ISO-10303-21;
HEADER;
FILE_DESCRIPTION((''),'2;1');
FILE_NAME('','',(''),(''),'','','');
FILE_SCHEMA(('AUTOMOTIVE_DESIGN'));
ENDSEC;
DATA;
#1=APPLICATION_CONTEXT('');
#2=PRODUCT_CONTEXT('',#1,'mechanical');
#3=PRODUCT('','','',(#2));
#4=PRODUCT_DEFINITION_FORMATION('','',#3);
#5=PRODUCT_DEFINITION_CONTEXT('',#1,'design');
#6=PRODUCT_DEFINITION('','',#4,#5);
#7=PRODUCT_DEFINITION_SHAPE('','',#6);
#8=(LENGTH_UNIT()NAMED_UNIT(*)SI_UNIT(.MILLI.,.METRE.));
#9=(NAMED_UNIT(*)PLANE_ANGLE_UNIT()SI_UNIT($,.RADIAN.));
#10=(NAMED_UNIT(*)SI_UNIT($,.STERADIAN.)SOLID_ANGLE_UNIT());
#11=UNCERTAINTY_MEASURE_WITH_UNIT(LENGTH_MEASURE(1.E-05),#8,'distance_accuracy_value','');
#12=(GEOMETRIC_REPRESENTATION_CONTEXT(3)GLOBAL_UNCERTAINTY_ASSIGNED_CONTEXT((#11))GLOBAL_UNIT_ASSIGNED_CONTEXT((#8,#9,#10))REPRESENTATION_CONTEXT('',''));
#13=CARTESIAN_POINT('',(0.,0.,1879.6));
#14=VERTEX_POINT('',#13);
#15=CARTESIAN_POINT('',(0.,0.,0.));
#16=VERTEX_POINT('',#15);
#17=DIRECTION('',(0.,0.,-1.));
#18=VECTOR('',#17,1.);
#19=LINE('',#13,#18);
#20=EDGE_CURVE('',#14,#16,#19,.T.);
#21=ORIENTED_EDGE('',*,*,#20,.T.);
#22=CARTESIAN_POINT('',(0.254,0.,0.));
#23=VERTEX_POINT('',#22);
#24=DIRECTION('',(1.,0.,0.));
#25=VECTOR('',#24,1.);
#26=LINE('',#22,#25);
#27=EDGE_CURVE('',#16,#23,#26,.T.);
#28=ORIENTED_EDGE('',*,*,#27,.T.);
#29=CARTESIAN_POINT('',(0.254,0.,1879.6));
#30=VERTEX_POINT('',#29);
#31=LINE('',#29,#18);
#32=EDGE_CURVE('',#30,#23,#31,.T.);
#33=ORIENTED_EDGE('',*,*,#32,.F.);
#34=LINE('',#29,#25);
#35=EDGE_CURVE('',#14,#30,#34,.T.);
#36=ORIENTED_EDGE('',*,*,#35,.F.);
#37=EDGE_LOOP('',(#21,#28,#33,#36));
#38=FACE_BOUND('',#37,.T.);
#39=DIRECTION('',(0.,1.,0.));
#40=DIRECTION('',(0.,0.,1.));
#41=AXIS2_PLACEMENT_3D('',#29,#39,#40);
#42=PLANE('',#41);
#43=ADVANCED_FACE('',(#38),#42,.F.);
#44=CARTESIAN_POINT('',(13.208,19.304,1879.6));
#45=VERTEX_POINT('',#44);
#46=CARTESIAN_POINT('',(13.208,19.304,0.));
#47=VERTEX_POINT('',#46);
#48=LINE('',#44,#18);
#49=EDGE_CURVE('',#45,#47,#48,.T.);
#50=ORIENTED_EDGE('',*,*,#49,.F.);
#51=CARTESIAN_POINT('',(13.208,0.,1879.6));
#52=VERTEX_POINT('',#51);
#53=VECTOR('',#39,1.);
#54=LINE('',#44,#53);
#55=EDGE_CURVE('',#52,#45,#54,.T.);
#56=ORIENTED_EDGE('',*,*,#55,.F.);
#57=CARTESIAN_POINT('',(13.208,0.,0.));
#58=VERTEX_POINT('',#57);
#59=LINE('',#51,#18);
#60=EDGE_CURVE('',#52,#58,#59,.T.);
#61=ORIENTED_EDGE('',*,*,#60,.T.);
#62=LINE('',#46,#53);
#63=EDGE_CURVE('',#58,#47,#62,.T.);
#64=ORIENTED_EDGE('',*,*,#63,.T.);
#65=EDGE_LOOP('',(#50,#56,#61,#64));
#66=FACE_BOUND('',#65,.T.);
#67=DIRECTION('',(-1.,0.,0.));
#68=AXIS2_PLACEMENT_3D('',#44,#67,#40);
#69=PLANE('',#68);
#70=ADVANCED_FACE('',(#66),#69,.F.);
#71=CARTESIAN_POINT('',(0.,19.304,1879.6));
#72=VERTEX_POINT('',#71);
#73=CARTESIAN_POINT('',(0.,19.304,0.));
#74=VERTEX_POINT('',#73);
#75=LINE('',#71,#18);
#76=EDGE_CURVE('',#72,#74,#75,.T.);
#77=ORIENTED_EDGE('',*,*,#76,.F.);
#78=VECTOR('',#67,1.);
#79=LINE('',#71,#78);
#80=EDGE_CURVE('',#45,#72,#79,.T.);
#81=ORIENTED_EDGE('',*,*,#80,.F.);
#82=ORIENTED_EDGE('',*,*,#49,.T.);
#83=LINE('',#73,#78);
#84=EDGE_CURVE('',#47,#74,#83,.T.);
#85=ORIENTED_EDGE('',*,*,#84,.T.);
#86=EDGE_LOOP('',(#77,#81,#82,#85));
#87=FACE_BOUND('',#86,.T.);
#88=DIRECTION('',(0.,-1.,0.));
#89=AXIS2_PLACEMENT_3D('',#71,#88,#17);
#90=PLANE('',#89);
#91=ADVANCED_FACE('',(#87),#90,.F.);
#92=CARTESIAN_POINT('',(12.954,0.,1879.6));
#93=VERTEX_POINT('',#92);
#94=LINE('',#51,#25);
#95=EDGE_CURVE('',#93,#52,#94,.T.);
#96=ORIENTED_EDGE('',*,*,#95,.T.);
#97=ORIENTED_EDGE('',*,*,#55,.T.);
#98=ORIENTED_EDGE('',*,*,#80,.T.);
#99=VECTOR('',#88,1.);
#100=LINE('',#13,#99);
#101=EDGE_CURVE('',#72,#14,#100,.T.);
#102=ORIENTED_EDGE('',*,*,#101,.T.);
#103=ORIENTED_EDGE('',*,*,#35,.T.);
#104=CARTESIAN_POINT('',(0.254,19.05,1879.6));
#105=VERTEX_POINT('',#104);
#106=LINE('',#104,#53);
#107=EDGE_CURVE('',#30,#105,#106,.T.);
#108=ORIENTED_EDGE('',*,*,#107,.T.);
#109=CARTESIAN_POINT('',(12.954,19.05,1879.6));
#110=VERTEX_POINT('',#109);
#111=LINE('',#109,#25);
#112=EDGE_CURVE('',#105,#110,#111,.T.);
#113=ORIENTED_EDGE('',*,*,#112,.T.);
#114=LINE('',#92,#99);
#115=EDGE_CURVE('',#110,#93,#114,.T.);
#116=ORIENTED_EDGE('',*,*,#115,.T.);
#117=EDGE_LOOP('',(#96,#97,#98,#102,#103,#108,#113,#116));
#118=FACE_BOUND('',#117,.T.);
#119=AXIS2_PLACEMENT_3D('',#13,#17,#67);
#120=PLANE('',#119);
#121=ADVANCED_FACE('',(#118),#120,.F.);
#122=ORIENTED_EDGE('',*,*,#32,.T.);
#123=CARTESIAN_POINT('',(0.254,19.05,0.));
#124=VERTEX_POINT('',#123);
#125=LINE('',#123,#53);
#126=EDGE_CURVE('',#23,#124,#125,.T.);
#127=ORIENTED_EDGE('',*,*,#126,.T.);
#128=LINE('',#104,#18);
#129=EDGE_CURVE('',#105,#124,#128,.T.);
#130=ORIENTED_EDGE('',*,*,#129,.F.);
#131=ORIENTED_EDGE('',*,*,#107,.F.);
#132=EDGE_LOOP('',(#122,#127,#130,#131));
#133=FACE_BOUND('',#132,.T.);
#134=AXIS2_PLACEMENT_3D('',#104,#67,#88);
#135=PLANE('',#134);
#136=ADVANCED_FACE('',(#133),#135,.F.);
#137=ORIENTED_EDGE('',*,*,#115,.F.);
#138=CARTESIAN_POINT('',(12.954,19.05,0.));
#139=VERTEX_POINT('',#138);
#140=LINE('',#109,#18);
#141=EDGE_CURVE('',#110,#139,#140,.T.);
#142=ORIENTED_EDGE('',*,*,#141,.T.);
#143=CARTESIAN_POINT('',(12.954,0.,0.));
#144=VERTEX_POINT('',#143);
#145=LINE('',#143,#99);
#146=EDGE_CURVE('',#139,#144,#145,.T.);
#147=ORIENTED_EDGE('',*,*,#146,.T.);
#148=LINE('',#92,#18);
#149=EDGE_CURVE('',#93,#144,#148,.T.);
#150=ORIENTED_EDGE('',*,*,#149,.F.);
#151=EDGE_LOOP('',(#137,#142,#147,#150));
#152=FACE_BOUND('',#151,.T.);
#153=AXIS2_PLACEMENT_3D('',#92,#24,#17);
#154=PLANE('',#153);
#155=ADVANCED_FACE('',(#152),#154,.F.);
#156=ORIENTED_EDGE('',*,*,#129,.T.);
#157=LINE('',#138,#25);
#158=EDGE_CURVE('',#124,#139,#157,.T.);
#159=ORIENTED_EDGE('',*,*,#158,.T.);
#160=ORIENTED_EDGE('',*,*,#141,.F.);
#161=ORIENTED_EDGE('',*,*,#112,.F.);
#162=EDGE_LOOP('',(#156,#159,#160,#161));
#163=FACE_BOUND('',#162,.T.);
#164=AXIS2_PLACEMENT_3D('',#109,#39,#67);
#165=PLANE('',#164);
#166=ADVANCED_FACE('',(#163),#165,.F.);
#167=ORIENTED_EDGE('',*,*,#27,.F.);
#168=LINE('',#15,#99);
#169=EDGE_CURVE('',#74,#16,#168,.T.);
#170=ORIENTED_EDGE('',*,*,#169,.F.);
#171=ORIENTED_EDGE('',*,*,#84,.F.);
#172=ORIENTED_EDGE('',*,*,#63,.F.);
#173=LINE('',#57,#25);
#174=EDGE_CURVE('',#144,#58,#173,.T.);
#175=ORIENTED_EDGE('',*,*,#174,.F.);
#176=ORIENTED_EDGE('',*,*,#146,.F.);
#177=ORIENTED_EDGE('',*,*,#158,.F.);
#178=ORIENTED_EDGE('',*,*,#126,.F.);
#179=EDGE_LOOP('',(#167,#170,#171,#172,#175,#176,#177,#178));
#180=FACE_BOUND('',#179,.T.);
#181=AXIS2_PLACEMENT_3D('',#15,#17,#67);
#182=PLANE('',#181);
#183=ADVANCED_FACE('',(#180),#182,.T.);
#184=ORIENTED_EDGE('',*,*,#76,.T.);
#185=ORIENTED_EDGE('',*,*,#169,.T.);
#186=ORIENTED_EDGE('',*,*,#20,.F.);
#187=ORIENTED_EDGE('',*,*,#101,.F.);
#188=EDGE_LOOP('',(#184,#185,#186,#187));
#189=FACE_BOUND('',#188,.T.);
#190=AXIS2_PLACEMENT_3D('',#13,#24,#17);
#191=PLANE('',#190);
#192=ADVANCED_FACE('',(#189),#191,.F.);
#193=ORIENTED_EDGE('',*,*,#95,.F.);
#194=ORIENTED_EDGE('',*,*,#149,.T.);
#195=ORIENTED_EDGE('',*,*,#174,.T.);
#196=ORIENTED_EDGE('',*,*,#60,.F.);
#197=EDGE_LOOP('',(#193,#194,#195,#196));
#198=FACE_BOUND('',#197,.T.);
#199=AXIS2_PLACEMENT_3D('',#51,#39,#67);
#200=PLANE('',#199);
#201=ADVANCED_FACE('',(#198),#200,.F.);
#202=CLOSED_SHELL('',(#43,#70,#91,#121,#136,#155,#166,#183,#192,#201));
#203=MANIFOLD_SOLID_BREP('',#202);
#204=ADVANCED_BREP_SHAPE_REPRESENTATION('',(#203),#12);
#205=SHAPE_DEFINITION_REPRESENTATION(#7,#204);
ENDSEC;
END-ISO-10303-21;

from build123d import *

# Parameters (mm, degrees)
BOSS_EXTRUDE1_DEPTH = 1879.6


with BuildPart() as part:
    # Sketch1 → Boss-Extrude1 (new body)
    with BuildSketch(Plane.XY):
        Polygon((0, 0), (0, 19.304), (13.208, 19.304), (13.208, 0), (12.954, 0), (12.954, 19.05), (0.254, 19.05), (0.254, 0), align=None)
    extrude(amount=BOSS_EXTRUDE1_DEPTH)


solid = part.part
